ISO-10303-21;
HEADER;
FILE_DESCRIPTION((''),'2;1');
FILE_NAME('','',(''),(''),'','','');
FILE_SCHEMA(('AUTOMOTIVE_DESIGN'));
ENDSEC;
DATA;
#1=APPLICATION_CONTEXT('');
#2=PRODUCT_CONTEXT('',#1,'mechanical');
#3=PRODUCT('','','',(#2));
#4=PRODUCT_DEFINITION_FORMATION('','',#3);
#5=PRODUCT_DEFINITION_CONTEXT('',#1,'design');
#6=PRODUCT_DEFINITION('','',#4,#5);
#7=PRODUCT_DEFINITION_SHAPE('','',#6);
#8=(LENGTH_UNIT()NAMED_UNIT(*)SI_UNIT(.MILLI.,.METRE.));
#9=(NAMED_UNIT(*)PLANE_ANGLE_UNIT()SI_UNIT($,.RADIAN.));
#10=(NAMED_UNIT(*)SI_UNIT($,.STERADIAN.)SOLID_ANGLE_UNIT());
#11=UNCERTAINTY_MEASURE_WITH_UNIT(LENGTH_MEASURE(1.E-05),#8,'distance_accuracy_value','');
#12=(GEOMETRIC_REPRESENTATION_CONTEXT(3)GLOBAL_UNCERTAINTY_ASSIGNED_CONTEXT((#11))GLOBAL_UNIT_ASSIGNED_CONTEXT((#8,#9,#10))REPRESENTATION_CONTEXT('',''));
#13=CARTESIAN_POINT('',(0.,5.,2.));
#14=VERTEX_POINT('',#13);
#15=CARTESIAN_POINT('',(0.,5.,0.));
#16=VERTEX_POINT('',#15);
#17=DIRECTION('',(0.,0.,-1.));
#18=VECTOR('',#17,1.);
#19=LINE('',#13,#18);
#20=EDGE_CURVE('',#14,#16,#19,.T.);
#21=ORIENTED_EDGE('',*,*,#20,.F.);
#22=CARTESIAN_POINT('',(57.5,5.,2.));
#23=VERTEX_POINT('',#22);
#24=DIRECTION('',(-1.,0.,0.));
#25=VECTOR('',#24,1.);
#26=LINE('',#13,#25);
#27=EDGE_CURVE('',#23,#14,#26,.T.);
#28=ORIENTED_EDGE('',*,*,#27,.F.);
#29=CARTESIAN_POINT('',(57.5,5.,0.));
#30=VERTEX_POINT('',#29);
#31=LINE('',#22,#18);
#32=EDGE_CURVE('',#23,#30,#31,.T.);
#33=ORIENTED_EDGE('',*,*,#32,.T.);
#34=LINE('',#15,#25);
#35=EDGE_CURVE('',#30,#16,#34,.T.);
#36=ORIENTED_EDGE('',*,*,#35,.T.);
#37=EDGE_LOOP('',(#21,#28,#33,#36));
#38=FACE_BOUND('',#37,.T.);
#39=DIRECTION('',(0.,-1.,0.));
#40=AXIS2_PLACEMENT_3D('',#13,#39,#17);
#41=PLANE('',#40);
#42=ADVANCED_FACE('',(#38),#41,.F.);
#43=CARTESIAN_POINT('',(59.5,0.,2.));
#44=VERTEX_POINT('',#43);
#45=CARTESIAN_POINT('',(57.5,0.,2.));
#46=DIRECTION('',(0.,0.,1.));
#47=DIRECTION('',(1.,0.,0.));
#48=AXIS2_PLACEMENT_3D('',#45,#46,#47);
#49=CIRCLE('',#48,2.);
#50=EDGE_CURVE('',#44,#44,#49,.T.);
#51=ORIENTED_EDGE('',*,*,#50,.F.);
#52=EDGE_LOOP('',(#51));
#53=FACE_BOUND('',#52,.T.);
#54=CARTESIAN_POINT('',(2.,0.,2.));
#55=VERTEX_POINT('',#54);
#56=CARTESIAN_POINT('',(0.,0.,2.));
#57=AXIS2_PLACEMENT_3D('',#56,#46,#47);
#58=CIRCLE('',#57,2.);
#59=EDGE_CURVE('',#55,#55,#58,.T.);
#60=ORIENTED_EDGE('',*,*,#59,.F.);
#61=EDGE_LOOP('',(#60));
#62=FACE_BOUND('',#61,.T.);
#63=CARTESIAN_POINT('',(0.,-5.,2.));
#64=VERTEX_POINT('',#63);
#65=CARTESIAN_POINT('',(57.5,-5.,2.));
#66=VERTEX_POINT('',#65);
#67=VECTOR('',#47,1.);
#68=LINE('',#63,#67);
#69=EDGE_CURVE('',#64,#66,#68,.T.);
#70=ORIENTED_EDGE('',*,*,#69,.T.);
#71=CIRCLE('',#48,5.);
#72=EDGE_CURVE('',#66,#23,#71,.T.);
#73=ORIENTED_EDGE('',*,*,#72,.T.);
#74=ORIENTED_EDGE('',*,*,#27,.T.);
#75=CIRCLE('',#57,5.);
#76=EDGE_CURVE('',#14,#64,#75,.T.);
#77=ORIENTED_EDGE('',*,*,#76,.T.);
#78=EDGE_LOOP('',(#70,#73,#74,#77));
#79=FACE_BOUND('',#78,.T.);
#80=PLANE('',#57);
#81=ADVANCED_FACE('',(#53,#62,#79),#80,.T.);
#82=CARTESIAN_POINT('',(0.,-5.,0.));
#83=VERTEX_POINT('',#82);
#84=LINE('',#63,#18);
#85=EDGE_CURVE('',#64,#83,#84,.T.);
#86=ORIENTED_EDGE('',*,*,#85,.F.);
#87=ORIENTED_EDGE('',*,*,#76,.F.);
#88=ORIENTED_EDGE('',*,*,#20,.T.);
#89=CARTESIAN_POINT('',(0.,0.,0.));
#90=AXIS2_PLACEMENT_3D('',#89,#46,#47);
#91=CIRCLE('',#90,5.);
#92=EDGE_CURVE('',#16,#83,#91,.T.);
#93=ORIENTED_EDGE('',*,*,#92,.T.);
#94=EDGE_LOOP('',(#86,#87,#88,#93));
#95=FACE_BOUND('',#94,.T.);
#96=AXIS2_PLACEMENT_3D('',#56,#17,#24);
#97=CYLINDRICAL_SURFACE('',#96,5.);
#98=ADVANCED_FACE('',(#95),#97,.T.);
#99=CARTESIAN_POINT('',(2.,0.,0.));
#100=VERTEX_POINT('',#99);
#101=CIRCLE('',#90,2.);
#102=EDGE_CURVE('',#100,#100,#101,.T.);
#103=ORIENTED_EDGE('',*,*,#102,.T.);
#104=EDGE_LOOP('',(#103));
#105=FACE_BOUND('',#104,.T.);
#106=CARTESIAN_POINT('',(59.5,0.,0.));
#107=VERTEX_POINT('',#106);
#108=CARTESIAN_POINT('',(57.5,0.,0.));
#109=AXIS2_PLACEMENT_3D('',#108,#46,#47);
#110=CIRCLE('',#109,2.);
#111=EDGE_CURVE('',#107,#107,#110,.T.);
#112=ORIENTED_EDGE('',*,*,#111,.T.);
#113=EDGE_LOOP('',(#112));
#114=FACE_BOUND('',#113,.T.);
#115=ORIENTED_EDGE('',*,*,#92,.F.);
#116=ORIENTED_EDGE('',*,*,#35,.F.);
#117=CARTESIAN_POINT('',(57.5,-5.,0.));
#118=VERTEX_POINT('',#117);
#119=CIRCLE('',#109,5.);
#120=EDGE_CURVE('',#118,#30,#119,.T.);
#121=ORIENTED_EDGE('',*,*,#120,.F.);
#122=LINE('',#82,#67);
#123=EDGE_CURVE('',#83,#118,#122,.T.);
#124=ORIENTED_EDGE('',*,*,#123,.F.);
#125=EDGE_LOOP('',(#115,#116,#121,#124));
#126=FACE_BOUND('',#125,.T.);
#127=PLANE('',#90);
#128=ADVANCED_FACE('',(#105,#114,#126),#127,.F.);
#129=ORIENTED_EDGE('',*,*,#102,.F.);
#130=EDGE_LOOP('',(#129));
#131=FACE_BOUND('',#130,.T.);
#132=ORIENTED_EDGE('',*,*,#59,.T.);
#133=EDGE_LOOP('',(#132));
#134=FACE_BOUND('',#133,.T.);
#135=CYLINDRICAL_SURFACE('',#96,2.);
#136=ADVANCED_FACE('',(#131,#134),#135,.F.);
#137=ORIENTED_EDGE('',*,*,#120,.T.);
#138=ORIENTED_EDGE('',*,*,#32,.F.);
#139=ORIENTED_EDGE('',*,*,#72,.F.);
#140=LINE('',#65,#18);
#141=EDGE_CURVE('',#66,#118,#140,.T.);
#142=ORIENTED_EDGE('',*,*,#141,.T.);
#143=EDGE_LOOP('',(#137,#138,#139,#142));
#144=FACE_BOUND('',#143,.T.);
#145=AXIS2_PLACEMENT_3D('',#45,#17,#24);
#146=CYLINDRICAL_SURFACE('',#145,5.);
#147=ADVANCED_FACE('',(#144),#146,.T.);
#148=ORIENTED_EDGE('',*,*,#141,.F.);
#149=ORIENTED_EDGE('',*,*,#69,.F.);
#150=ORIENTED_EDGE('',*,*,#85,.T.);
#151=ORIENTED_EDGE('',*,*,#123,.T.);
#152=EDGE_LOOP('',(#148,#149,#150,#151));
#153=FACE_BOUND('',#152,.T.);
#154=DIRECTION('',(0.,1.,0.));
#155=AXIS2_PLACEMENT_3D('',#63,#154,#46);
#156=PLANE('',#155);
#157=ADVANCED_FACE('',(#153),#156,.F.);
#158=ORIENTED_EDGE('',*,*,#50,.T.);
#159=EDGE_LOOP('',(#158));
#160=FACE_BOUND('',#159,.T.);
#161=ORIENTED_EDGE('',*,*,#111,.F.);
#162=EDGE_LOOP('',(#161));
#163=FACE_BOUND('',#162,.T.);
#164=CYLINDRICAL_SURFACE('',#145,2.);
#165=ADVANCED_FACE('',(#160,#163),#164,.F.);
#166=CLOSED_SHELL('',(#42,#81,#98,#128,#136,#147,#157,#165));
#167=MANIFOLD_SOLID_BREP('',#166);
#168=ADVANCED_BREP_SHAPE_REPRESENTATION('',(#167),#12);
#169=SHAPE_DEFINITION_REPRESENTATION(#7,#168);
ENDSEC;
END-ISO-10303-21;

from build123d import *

# Parameters (mm, degrees)
SKETCH1_R           = 2
BOSS_EXTRUDE1_DEPTH = 2


with BuildPart() as part:
    # Sketch1 → Boss-Extrude1 (new body)
    with BuildSketch(Plane.XY):
        with BuildLine():
            Line((0, 5), (57.5, 5))
            ThreePointArc((57.5, 5), (62.5, 0), (57.5, -5))
            Line((57.5, -5), (0, -5))
            ThreePointArc((0, -5), (-5, 0), (0, 5))
        make_face()
        Circle(SKETCH1_R, mode=Mode.SUBTRACT)
        with Locations((57.5, 0)):
            Circle(SKETCH1_R, mode=Mode.SUBTRACT)
    extrude(amount=BOSS_EXTRUDE1_DEPTH)


solid = part.part
